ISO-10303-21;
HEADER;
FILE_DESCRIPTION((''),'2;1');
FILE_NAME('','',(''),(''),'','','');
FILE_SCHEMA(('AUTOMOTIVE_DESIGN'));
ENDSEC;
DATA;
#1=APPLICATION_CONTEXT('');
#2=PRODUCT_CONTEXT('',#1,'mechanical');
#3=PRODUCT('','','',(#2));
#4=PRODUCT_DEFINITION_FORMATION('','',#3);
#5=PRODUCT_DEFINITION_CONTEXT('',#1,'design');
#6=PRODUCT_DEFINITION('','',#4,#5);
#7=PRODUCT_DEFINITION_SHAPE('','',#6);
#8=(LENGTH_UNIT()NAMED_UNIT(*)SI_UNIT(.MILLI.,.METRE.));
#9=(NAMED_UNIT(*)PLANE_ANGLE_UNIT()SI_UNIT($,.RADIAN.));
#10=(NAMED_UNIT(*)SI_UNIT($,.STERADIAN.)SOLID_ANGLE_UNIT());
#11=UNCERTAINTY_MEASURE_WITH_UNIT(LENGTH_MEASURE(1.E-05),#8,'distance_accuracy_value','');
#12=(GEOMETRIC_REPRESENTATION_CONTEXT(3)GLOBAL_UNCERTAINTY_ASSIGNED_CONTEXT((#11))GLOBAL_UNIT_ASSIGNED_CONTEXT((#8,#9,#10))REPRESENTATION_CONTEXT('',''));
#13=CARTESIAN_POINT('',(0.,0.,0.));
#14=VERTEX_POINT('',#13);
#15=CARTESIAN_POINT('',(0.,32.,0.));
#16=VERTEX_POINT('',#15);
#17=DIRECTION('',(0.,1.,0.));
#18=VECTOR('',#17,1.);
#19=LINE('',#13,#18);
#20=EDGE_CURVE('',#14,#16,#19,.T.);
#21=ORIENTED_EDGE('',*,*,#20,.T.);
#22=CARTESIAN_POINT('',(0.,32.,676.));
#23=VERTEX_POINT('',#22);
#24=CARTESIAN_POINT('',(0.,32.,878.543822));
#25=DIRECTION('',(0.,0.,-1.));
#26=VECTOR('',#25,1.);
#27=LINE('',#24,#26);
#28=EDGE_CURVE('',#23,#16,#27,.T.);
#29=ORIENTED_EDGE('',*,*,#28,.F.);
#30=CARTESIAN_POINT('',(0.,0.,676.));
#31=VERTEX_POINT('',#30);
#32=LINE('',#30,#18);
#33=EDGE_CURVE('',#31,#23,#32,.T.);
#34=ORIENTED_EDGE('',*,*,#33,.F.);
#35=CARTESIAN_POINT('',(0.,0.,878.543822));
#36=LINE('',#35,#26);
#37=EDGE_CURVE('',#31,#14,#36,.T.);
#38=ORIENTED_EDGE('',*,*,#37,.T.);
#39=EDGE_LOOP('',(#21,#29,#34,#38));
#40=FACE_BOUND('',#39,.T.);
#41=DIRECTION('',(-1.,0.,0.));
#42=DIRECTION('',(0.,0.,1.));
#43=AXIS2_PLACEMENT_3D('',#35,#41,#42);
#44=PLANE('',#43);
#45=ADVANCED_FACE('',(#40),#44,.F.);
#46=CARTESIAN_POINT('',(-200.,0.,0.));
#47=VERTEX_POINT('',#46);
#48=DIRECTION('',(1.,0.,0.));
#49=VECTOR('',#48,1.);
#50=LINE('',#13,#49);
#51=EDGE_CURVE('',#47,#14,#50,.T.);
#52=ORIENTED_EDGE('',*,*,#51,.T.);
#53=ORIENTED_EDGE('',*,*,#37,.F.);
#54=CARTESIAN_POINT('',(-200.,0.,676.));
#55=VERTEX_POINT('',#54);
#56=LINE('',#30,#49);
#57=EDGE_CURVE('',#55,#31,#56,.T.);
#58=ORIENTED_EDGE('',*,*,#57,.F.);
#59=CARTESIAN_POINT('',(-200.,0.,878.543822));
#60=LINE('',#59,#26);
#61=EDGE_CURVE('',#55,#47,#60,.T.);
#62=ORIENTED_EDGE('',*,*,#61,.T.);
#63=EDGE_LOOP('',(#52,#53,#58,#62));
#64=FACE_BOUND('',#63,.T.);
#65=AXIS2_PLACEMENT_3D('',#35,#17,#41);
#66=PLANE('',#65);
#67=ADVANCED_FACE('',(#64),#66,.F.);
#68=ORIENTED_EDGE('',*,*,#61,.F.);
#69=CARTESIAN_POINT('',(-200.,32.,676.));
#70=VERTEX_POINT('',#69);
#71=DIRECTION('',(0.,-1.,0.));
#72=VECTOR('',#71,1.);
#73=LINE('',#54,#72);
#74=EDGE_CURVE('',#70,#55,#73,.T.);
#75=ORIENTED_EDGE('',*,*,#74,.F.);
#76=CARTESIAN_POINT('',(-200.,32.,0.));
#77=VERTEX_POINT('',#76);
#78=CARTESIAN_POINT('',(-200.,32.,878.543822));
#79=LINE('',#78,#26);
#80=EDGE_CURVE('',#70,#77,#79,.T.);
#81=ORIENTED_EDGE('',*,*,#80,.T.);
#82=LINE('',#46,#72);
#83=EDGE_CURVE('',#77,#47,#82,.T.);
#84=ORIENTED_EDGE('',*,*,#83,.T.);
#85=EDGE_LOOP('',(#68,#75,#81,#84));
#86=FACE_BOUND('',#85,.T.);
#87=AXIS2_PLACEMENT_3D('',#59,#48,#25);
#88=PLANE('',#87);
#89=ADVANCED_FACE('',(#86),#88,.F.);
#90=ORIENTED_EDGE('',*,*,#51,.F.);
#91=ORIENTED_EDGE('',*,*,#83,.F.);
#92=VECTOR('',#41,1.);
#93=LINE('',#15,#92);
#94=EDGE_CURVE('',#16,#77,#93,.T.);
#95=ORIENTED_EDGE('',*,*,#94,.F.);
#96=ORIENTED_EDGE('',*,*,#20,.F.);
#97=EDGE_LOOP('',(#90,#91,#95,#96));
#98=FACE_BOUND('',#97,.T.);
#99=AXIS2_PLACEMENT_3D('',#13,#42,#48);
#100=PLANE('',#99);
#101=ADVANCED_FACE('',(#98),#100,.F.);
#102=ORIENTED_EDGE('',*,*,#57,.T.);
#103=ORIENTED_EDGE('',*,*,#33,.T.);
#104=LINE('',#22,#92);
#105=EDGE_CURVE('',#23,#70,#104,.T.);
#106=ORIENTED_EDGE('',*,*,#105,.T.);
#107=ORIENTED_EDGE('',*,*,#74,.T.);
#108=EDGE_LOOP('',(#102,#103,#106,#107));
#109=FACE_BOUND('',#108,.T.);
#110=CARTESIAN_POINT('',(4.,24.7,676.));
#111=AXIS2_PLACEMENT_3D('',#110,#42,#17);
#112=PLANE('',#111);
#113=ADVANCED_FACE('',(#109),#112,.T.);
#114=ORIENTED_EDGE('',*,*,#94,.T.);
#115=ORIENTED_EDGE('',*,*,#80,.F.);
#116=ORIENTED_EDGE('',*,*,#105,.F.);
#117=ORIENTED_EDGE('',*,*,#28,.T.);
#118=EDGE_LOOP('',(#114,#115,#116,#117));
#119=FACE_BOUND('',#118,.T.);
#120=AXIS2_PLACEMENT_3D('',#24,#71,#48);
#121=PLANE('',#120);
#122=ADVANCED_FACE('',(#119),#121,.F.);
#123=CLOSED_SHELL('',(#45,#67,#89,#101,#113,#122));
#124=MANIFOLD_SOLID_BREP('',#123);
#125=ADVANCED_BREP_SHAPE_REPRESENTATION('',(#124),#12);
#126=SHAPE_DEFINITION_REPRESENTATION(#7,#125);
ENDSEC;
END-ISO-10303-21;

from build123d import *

# Parameters (mm, degrees)
SKETCH_1_W      = 200
SKETCH_1_H      = 32
EXTRUDE_1_DEPTH = 676


with BuildPart() as part:
    # Эскиз1 → Бобышка-Вытянуть1 (new body)
    with BuildSketch(Plane.XY):
        with Locations((-100, 16)):
            Rectangle(SKETCH_1_W, SKETCH_1_H)
    extrude(amount=EXTRUDE_1_DEPTH)


solid = part.part
